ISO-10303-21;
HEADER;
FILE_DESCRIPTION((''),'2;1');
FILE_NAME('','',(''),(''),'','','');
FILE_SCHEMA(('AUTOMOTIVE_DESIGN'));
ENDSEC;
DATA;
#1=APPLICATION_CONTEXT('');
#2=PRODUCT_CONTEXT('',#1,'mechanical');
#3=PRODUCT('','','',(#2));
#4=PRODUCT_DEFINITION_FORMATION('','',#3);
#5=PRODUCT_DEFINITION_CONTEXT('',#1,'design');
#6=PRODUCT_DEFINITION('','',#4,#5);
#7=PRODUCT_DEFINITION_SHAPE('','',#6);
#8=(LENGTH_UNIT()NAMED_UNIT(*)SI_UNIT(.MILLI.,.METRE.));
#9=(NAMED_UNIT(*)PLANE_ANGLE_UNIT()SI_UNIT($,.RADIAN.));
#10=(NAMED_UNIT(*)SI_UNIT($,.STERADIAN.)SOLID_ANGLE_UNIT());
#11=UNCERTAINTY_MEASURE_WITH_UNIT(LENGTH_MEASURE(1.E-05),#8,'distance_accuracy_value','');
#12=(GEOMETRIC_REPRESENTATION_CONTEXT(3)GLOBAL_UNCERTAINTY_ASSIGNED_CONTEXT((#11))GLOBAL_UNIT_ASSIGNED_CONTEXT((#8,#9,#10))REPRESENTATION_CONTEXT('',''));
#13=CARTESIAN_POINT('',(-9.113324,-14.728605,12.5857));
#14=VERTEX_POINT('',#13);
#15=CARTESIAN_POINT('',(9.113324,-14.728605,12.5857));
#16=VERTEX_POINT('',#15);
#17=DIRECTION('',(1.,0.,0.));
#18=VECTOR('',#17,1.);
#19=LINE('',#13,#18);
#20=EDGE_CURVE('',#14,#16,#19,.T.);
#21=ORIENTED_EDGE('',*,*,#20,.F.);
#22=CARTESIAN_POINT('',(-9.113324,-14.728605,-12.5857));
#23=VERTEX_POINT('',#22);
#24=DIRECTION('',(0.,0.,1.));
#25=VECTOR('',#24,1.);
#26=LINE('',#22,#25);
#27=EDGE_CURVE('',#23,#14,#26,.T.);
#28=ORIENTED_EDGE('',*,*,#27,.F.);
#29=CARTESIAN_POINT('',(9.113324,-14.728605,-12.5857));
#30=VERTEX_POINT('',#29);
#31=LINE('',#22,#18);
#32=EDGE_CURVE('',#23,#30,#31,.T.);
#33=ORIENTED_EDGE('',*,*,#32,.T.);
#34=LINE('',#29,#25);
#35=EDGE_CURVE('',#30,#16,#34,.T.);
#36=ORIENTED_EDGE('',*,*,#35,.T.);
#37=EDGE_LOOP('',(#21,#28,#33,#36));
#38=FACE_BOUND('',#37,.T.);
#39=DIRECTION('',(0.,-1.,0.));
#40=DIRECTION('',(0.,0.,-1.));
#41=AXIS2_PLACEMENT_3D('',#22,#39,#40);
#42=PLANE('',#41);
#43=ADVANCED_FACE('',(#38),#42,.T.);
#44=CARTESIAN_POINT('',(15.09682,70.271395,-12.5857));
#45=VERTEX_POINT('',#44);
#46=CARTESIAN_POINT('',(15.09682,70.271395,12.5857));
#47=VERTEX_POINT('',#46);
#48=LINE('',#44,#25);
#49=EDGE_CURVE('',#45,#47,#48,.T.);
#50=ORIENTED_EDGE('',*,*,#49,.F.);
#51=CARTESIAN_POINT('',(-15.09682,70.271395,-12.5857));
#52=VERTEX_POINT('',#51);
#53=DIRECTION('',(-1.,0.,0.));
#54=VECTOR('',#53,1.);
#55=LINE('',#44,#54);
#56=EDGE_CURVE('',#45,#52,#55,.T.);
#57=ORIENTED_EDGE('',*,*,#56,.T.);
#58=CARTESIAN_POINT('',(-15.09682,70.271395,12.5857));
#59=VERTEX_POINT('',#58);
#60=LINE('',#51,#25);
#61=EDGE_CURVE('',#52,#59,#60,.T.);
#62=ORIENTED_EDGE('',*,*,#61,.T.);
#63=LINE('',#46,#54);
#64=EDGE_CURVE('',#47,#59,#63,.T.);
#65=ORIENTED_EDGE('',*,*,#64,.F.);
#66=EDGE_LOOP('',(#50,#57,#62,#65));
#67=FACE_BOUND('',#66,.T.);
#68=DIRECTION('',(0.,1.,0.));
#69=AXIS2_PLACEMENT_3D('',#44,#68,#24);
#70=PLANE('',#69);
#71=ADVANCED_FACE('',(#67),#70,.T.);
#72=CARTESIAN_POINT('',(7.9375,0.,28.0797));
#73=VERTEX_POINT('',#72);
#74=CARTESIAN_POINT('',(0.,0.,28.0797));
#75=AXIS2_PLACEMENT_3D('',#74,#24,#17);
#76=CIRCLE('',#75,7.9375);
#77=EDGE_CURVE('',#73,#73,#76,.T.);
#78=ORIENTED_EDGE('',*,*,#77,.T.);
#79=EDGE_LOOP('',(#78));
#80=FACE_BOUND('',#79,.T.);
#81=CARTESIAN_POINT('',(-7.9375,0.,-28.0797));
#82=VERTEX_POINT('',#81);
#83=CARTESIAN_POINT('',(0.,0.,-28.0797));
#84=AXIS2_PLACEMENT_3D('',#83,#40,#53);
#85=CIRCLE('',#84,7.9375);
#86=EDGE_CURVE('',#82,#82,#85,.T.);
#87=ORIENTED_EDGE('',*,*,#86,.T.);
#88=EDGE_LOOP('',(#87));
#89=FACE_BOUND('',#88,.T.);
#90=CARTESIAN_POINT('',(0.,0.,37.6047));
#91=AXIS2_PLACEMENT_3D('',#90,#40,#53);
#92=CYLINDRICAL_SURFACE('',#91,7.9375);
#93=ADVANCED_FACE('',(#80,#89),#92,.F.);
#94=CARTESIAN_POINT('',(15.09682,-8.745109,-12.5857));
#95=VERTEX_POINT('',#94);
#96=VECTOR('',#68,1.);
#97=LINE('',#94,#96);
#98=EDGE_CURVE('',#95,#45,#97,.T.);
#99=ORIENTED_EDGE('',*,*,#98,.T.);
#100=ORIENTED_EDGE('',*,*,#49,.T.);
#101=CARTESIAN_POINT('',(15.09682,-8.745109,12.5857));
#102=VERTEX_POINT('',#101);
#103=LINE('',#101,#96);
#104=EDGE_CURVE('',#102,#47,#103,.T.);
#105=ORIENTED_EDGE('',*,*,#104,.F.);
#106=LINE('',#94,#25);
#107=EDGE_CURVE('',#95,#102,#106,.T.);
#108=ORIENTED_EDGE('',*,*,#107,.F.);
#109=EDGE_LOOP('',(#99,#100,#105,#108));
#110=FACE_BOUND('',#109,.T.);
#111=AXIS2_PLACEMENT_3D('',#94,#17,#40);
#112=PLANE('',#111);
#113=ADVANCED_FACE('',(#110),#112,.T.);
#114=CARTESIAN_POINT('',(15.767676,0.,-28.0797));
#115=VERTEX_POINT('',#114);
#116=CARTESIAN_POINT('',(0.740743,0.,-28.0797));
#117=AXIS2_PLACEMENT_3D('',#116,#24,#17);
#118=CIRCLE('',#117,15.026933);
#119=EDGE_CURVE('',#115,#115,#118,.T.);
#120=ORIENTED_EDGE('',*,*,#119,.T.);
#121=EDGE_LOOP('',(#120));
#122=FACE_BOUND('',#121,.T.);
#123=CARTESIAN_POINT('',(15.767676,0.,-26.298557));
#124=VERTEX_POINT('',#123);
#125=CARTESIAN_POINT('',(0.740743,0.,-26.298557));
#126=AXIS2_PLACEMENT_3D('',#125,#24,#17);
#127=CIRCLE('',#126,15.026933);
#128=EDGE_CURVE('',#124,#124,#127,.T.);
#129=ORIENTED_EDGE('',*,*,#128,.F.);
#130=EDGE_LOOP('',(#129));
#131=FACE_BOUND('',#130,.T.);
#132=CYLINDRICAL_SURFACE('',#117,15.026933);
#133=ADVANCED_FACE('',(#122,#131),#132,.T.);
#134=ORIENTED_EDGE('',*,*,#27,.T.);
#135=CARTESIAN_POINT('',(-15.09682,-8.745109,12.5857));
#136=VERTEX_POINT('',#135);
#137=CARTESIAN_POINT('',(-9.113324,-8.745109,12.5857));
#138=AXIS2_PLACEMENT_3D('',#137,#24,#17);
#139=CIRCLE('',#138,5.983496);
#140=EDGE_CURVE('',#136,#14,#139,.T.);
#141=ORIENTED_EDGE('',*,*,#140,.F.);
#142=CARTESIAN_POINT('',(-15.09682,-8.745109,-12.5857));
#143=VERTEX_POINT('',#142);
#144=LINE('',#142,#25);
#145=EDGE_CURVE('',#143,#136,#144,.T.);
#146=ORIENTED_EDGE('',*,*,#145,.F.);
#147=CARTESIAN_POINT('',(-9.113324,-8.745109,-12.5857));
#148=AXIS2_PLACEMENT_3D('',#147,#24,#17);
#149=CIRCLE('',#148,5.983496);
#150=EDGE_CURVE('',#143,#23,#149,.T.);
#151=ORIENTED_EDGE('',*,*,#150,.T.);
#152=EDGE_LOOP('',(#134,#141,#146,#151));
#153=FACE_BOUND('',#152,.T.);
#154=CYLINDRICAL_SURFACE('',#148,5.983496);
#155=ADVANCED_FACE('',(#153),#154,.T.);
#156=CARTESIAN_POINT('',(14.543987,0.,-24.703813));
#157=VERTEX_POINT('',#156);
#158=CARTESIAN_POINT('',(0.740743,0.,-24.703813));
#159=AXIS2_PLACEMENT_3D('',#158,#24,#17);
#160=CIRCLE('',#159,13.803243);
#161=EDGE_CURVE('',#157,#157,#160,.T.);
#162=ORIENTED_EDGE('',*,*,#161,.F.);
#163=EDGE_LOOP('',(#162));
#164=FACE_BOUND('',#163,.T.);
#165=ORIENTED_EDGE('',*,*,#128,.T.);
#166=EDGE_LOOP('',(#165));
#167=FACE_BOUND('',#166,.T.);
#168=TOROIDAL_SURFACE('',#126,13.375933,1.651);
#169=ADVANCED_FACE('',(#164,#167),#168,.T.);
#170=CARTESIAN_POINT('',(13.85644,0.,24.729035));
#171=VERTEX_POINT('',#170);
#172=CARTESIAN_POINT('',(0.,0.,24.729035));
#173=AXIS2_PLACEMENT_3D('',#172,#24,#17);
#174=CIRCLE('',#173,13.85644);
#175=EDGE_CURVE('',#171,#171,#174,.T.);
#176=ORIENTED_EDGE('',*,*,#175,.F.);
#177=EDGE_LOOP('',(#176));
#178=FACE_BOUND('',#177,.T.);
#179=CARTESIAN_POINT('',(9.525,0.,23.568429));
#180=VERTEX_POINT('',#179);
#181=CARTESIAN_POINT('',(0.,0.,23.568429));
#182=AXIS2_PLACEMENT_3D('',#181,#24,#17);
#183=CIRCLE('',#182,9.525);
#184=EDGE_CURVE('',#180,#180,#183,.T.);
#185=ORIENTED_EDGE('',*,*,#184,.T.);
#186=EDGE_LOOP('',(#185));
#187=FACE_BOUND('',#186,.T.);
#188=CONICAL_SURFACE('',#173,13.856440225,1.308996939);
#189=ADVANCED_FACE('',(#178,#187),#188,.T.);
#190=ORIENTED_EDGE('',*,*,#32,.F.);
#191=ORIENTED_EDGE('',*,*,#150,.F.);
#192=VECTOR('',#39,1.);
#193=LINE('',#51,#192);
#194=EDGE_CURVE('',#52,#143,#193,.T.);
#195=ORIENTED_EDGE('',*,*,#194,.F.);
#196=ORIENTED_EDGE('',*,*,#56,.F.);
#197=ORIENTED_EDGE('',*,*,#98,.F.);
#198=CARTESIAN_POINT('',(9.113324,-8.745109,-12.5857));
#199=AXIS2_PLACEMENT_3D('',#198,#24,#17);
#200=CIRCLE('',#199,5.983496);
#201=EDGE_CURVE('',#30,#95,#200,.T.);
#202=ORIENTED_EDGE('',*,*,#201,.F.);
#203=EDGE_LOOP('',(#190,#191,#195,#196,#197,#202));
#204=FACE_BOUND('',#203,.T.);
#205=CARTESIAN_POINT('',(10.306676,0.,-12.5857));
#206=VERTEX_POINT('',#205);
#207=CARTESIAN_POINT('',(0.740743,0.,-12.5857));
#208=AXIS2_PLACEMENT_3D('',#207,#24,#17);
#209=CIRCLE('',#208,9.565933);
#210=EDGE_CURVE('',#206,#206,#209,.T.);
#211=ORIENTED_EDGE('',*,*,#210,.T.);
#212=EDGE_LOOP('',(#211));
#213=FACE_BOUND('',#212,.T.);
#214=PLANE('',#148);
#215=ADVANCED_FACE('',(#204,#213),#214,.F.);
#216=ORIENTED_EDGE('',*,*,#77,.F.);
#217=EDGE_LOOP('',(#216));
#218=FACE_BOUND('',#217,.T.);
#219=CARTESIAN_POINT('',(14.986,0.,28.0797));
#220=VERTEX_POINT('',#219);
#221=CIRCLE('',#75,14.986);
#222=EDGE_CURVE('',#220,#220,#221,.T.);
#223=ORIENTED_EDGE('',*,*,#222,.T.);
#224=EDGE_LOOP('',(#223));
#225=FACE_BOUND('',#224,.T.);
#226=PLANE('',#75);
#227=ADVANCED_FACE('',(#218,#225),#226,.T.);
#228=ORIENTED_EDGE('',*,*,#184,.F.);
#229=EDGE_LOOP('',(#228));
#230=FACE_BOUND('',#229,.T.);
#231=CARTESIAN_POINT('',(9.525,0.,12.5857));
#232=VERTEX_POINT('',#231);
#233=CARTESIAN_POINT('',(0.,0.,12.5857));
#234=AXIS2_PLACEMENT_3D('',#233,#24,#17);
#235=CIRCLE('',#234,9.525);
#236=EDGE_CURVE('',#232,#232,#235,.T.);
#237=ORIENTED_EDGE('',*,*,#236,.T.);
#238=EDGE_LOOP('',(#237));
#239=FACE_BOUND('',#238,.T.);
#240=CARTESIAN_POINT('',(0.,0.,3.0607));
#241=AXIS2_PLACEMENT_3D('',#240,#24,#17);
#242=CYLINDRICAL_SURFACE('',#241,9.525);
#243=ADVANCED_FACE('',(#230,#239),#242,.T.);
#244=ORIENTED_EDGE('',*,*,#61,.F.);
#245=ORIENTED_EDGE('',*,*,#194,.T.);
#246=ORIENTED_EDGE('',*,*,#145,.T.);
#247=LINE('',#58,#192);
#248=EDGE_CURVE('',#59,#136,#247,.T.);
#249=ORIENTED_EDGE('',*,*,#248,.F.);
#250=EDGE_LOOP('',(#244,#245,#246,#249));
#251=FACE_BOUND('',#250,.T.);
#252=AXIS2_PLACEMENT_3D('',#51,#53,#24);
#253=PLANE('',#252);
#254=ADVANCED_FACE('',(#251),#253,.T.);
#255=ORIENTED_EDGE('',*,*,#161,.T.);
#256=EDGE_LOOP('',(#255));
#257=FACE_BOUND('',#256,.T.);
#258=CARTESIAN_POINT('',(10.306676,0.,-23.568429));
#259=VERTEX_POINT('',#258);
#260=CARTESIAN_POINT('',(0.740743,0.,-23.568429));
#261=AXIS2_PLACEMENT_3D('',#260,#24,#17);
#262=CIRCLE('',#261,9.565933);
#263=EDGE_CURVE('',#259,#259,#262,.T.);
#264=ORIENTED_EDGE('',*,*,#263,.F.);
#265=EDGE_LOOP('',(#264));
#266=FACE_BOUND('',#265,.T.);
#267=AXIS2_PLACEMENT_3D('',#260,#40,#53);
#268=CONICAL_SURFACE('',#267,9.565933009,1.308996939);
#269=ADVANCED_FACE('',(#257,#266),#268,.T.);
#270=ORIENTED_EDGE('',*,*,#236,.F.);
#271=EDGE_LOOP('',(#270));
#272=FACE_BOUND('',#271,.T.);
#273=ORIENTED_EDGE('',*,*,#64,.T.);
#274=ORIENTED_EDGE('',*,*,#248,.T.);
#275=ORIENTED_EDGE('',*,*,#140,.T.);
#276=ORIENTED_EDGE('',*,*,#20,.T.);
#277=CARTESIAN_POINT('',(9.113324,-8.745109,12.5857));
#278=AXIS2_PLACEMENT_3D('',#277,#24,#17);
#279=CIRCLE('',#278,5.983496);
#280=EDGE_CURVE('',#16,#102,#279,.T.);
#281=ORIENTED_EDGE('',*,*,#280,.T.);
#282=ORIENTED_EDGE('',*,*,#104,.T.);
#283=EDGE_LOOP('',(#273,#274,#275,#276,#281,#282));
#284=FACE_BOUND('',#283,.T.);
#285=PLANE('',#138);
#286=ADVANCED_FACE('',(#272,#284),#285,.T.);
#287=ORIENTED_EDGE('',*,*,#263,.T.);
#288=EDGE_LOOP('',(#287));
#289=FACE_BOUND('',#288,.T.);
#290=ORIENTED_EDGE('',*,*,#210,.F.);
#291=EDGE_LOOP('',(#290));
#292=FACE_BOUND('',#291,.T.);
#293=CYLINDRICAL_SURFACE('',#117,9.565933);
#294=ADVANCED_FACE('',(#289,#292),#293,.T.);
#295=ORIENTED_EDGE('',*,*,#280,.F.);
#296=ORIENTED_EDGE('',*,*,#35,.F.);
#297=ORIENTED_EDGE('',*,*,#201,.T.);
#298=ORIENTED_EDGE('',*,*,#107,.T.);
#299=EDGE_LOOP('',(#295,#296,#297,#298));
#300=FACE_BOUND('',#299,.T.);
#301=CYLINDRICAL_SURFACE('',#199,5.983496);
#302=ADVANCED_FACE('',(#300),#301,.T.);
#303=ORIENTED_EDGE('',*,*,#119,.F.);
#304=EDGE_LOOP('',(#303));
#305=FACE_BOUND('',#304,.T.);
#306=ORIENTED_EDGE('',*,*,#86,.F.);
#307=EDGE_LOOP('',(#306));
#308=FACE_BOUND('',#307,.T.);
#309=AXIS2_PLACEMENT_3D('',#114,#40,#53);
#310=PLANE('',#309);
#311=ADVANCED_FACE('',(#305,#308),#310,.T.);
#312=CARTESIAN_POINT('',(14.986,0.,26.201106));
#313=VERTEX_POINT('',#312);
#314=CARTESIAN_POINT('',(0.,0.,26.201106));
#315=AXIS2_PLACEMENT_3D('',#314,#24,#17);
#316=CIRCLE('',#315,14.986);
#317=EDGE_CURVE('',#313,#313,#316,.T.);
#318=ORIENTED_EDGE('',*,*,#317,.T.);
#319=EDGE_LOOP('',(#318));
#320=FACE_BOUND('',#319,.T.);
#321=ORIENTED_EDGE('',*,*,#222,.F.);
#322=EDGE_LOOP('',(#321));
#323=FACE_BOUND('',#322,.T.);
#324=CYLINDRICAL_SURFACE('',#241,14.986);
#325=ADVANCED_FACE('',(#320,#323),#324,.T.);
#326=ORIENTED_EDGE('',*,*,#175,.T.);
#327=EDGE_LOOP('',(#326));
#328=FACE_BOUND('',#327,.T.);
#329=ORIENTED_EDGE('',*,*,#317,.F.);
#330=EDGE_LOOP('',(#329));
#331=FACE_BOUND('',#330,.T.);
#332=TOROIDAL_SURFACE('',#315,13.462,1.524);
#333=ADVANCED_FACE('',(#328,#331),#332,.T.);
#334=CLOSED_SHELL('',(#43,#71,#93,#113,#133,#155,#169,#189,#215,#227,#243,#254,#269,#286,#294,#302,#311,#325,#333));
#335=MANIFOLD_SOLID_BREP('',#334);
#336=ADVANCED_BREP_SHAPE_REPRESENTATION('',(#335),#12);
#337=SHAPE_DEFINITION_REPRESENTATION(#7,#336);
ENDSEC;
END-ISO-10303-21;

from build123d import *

# Parameters (mm, degrees)
BOSS_EXTRUDE1_DEPTH = 25.1714


with BuildPart() as part:
    # Sketch1 → Boss-Extrude1 (new body)
    with BuildSketch(Plane.XY.offset(12.5857)):
        with BuildLine():
            Line((-15.096819971, 70.27139515), (-15.096819971, -8.74510913))
            ThreePointArc((-15.096819971, -8.74510913), (-13.34429465, -12.976079529), (-9.113324251, -14.72860485))
            Line((-9.113324251, -14.72860485), (9.113324251, -14.72860485))
            ThreePointArc((9.113324251, -14.72860485), (13.34429465, -12.976079529), (15.096819971, -8.74510913))
            Line((15.096819971, -8.74510913), (15.096819971, 70.27139515))
            Line((15.096819971, 70.27139515), (-15.096819971, 70.27139515))
        make_face()
    extrude(amount=-BOSS_EXTRUDE1_DEPTH)

    # Sketch2 → Revolve1 (revolve)
    with BuildSketch(Plane(origin=(0, 0, 0), x_dir=(1, 0, 0), z_dir=(0, 1, 0))):
        with BuildLine():
            Line((15.767676296, 28.0797), (0.740743286, 28.0797))
            Line((0.740743286, 28.0797), (0.740743286, 12.5857))
            Line((0.740743286, 12.5857), (10.306676296, 12.5857))
            Line((10.306676296, 12.5857), (10.306676296, 23.56842946))
            Line((10.306676296, 23.56842946), (14.543986539, 24.703813318))
            ThreePointArc((14.543986539, 24.703813318), (15.426502661, 25.293491738), (15.767676296, 26.298556857))
            Line((15.767676296, 26.298556857), (15.767676296, 28.0797))
        make_face()
    revolve(axis=Axis((0.740743286, 0, -28.0797), (0, 0, 1)))

    # Sketch3 → Revolve2 (revolve)
    with BuildSketch(Plane(origin=(0, 0, 0), x_dir=(1, 0, 0), z_dir=(0, 1, 0))):
        with BuildLine():
            Line((9.525, -12.5857), (0, -12.5857))
            Line((0, -12.5857), (0, -28.0797))
            Line((0, -28.0797), (14.986, -28.0797))
            Line((14.986, -28.0797), (14.986, -26.20110633))
            ThreePointArc((14.986, -26.20110633), (14.671070491, -25.273353912), (13.856440225, -24.72903537))
            Line((13.856440225, -24.72903537), (9.525, -23.56842946))
            Line((9.525, -23.56842946), (9.525, -12.5857))
        make_face()
    revolve(axis=Axis((0, 0, 3.0607), (0, 0, 1)))

    # Sketch4 → Cut-Revolve1 (revolve, cut)
    with BuildSketch(Plane.XZ):
        Polygon((8.636, 37.6047), (0, 37.6047), (0, -37.6047), (8.636, -37.6047), (8.636, -35.0647), (7.9375, -35.0647), (7.9375, 35.0647), (8.636, 35.0647), align=None)
    revolve(axis=Axis((0, 0, 37.6047), (0, 0, -1)), mode=Mode.SUBTRACT)


solid = part.part
